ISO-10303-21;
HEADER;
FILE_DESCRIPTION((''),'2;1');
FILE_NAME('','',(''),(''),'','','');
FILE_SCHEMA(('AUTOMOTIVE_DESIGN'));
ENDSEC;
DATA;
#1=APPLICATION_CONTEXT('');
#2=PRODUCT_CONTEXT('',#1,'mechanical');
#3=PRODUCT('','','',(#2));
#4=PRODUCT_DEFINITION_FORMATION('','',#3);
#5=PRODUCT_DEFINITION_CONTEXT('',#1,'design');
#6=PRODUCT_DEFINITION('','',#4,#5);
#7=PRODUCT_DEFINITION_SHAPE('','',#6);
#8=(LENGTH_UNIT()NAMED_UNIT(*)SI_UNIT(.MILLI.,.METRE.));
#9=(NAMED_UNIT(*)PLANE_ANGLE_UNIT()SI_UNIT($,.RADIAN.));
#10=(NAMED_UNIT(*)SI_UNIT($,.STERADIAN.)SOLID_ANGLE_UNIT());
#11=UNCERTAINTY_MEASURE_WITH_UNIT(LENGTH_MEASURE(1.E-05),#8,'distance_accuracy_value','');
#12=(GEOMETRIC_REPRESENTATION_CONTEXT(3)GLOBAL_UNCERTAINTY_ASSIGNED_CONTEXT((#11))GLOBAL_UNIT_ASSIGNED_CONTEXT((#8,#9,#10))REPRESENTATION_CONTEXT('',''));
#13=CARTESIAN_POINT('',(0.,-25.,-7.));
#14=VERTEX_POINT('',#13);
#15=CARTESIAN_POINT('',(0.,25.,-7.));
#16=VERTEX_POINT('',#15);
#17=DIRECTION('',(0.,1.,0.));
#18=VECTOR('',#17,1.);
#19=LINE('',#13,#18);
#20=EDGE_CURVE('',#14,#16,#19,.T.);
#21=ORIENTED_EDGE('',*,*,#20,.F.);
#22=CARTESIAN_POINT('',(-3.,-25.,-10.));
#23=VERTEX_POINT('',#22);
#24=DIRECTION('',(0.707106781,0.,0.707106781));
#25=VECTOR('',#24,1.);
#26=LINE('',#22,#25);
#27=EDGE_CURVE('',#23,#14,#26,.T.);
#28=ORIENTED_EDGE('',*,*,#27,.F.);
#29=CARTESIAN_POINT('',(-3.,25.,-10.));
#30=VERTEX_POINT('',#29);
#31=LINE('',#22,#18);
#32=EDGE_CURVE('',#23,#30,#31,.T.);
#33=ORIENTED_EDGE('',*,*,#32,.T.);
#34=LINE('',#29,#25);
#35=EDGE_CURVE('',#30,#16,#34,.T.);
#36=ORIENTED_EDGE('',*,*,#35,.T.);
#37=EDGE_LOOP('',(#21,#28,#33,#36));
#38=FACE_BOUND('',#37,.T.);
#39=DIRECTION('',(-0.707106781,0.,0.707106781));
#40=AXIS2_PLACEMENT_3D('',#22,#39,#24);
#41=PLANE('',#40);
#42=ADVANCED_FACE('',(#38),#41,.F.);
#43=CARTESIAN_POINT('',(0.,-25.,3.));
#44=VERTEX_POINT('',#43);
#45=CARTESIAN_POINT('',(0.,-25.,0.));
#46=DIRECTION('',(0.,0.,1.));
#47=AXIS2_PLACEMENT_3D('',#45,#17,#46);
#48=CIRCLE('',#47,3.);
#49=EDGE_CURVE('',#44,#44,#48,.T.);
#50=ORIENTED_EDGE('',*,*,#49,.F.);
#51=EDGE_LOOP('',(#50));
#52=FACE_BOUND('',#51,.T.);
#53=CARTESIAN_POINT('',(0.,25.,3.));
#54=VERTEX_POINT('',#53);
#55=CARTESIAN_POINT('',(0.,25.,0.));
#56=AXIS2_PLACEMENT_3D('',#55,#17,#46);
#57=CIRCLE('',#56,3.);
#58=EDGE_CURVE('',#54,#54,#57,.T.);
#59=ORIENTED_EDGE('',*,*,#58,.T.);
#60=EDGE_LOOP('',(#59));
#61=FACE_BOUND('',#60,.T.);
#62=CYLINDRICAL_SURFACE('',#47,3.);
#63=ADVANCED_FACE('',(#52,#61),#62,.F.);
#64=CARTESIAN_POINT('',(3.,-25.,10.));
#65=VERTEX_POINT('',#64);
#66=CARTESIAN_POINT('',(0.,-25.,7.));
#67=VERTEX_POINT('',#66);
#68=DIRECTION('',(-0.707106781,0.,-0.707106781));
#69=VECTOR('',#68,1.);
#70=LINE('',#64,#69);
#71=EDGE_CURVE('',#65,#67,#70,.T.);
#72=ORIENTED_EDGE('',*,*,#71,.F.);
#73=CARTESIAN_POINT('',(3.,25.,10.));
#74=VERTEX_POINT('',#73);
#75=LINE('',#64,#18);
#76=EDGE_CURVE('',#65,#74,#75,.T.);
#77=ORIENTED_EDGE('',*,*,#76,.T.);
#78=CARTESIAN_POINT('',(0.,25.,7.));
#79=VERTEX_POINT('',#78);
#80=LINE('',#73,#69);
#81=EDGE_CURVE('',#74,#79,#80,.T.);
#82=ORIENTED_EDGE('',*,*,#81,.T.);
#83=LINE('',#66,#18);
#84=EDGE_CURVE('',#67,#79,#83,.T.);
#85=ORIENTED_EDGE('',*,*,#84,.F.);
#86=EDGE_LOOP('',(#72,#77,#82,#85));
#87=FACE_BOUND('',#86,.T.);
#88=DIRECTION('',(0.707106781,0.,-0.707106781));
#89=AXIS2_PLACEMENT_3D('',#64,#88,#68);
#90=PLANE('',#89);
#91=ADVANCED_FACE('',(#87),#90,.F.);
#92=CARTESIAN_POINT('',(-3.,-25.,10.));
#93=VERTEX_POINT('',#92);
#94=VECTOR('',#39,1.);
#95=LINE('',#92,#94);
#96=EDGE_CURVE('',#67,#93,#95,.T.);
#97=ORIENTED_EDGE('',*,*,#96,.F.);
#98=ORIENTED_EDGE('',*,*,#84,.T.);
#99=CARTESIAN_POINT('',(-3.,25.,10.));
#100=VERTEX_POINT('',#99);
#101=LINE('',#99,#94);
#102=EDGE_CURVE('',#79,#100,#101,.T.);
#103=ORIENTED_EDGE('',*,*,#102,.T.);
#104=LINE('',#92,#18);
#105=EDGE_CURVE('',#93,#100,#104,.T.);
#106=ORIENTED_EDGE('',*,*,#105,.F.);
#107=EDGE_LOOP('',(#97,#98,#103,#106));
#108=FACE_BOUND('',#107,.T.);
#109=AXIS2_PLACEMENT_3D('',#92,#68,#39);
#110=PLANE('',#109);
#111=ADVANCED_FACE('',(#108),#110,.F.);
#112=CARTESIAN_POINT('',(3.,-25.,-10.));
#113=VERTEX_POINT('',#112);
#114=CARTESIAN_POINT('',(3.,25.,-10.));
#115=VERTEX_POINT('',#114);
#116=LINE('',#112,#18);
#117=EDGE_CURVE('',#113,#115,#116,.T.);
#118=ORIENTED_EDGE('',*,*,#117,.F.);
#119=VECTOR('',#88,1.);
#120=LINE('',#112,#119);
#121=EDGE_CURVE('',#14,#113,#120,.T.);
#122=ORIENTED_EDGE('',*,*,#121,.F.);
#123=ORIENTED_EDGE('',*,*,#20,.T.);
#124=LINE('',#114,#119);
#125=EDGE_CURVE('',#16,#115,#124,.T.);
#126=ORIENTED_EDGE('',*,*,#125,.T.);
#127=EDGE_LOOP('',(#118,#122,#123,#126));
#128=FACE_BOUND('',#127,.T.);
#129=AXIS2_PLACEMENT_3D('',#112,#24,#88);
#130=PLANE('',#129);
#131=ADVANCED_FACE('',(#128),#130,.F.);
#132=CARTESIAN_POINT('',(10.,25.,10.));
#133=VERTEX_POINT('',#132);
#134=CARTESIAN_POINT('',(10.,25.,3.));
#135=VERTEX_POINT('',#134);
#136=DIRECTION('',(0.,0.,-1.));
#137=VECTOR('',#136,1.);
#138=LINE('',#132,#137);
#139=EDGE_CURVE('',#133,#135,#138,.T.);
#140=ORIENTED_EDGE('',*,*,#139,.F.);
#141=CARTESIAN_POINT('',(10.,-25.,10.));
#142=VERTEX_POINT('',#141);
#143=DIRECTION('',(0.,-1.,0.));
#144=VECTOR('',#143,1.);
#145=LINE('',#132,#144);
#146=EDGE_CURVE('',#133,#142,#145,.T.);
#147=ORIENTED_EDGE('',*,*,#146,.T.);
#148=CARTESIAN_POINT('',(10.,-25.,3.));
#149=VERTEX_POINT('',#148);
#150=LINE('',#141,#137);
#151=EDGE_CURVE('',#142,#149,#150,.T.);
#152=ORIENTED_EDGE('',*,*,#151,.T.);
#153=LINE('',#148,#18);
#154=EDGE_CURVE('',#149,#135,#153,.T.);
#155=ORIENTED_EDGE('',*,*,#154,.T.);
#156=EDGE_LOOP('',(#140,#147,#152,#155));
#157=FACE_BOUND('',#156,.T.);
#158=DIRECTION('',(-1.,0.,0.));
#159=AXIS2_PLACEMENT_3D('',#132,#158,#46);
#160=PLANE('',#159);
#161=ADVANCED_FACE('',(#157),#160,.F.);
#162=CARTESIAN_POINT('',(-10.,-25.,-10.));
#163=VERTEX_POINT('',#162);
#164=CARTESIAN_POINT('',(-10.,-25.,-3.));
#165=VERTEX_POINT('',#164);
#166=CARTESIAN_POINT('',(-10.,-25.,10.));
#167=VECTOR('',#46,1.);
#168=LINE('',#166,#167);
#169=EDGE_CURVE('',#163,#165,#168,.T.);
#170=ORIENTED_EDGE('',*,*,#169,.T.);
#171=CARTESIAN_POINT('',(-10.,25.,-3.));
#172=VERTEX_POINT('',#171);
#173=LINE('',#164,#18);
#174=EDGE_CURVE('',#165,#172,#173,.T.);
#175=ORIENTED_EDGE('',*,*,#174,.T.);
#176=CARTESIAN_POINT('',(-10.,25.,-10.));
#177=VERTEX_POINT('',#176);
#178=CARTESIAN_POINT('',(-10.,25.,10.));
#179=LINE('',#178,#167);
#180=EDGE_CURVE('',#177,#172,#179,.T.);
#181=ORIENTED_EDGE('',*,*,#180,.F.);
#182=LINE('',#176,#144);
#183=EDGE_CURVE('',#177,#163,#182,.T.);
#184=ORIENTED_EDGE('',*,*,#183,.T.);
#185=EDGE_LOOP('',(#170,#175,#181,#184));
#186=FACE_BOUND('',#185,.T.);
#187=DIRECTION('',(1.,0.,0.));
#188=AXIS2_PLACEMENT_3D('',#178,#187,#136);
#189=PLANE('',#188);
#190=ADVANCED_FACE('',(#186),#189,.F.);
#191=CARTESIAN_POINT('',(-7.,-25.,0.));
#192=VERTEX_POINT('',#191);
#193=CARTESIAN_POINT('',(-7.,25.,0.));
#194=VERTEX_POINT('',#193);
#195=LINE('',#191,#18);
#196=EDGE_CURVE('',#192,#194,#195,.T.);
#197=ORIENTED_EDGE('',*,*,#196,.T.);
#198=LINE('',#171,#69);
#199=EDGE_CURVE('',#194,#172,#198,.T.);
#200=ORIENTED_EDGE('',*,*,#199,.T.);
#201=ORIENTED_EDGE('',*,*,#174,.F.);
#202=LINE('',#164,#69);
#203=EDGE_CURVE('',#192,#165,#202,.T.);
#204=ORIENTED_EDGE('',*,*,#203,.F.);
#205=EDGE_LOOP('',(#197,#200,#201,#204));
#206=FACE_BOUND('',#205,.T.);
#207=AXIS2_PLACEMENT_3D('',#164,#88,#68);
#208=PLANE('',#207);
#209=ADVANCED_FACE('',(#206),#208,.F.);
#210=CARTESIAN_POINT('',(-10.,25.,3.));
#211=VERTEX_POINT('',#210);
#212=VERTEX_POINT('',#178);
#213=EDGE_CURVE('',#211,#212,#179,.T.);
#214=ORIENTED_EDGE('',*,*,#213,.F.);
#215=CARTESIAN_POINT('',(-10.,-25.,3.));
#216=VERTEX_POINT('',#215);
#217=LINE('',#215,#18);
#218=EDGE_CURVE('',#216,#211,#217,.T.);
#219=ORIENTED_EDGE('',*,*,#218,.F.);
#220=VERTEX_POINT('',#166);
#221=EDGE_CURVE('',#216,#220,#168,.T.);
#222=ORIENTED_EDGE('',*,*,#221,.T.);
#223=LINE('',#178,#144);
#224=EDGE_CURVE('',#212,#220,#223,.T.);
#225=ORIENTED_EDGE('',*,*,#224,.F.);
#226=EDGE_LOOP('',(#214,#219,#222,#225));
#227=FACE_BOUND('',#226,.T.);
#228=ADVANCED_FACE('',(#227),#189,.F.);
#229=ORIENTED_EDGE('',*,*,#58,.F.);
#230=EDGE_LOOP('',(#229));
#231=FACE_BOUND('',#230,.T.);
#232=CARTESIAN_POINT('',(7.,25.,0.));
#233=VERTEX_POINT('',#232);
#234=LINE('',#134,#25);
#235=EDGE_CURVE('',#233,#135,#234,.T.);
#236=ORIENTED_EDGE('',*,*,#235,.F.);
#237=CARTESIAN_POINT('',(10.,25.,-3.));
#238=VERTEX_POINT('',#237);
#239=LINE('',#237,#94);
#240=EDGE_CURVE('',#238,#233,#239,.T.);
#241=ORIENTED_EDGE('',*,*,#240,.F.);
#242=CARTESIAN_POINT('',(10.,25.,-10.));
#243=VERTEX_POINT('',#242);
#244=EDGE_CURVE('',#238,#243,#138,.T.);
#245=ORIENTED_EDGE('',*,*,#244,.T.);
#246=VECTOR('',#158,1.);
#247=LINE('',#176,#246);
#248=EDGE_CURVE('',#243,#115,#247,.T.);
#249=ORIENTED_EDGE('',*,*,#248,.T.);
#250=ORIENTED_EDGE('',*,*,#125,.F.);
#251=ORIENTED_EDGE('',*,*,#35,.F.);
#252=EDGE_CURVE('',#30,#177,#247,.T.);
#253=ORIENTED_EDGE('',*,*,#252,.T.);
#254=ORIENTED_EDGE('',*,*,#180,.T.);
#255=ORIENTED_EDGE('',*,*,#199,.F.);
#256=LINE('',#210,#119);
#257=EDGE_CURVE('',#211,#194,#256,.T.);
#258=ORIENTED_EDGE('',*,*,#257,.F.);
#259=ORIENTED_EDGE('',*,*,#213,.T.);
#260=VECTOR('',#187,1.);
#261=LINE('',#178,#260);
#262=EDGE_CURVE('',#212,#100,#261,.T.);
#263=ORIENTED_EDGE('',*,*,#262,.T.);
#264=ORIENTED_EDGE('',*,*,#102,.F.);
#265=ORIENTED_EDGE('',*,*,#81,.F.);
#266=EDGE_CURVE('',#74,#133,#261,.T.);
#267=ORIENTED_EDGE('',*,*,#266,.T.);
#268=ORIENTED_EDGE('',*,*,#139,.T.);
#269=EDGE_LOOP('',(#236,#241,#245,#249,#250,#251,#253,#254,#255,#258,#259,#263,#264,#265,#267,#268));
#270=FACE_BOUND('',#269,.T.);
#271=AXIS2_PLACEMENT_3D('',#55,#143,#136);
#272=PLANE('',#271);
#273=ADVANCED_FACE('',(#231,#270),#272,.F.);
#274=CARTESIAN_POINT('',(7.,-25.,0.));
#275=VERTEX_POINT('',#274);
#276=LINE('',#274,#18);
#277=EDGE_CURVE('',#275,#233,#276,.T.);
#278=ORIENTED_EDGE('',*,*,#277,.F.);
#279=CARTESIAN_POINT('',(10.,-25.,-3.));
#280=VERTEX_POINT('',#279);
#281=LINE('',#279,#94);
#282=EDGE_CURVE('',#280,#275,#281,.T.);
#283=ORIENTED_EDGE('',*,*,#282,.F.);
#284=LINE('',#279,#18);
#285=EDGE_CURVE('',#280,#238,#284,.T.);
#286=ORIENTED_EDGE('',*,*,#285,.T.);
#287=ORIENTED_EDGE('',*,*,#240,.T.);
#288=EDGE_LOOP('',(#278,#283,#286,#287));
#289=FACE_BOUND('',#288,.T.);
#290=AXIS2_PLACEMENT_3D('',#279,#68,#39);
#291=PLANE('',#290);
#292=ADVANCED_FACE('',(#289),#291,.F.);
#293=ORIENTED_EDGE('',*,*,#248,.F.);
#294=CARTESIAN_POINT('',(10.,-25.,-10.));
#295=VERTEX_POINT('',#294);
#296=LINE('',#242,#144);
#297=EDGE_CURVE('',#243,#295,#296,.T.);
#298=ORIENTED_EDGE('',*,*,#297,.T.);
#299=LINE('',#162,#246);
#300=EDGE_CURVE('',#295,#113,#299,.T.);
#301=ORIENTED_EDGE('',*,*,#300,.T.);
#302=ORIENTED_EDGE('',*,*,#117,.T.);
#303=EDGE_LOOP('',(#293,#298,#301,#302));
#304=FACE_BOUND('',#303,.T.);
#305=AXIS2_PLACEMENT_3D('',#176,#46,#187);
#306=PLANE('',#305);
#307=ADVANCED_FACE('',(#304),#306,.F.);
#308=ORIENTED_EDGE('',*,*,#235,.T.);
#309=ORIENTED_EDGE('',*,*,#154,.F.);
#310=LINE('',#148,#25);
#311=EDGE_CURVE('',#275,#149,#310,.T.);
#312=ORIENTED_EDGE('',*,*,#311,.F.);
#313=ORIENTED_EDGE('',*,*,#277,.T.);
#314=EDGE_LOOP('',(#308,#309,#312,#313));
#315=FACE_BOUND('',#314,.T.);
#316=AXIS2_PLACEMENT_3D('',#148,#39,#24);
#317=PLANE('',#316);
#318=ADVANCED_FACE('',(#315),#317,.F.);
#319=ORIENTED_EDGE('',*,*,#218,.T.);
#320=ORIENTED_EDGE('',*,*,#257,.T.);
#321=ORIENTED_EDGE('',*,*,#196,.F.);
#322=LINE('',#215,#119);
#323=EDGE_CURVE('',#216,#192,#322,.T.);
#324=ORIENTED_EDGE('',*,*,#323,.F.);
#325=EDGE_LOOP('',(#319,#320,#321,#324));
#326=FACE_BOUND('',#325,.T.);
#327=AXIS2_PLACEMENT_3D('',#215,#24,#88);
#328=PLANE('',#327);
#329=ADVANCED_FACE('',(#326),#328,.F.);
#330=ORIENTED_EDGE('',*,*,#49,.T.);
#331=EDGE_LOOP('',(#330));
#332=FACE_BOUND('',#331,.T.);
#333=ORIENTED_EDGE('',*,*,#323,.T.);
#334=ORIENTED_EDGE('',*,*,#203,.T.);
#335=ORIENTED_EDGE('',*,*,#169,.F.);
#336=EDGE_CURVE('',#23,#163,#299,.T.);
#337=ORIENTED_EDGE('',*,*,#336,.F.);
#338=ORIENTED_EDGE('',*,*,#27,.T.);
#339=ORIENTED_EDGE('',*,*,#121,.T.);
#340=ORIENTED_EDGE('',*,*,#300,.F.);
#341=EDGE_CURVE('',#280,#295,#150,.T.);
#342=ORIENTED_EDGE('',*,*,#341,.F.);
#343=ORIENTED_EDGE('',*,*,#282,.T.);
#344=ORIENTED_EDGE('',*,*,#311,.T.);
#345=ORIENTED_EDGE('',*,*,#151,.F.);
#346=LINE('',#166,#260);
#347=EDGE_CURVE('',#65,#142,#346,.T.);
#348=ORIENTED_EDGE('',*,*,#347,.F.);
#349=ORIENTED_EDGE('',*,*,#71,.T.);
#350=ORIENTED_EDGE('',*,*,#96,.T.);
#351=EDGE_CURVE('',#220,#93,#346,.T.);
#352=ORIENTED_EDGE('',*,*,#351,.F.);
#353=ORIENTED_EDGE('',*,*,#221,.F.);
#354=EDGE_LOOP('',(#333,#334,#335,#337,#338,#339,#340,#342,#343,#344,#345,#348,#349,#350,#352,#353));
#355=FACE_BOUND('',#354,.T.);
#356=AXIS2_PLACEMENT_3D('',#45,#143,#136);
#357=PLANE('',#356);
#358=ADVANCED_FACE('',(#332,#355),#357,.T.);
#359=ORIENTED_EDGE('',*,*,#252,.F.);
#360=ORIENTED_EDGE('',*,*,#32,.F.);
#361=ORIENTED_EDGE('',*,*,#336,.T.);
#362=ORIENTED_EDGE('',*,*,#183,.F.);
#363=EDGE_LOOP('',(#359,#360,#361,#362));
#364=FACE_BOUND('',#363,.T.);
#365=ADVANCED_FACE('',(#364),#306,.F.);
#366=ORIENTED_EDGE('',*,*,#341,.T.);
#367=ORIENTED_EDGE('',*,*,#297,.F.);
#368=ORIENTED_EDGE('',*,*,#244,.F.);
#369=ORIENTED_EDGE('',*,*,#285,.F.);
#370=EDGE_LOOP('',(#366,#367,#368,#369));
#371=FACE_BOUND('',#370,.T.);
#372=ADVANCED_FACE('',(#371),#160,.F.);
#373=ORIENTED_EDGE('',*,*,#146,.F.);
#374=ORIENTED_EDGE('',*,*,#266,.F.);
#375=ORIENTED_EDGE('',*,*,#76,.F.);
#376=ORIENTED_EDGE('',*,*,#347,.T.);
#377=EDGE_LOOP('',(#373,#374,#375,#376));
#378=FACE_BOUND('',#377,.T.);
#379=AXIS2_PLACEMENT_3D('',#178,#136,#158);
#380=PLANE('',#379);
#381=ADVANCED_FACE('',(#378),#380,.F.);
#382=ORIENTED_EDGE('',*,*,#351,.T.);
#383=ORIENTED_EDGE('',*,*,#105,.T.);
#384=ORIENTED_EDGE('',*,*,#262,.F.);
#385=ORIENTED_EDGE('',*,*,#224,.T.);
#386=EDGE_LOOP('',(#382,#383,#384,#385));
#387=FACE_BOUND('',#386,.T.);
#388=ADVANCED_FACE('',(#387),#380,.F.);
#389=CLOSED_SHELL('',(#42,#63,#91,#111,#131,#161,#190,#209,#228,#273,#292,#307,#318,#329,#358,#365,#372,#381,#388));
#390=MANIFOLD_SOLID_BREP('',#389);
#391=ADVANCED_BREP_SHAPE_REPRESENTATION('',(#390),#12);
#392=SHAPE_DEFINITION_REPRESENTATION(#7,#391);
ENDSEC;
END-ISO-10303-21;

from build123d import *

# Parameters (mm, degrees)
SKIZZE1_W                       = 20
SKIZZE1_H                       = 20
AUFSATZ_LINEAR_AUSTRAGEN1_DEPTH = 25
SCHNITT_LINEAR_AUSTRAGEN1_DEPTH = 51
SKIZZE3_R                       = 3
SCHNITT_LINEAR_AUSTRAGEN2_DEPTH = 51


with BuildPart() as part:
    # Skizze1 → Aufsatz-Linear austragen1 (new body, symmetric)
    with BuildSketch(Plane(origin=(0, 0, 0), x_dir=(1, 0, 0), z_dir=(0, 1, 0))):
        Rectangle(SKIZZE1_W, SKIZZE1_H)
    extrude(amount=AUFSATZ_LINEAR_AUSTRAGEN1_DEPTH, both=True)

    # Skizze2 → Schnitt-Linear austragen1 (cut, through all)
    with BuildSketch(Plane(origin=(0, 25, 0), x_dir=(1, 0, 0), z_dir=(0, 1, 0))):
        Polygon((-3, 10), (0, 7), (3, 10), align=None)
        Polygon((10, 3), (7, 0), (10, -3), align=None)
        Polygon((-10, -3), (-10, 3), (-7, 0), align=None)
        Polygon((-3, -10), (3, -10), (0, -7), align=None)
    extrude(amount=-SCHNITT_LINEAR_AUSTRAGEN1_DEPTH, mode=Mode.SUBTRACT)

    # Skizze3 → Schnitt-Linear austragen2 (cut, through all)
    with BuildSketch(Plane(origin=(0, 25, 0), x_dir=(1, 0, 0), z_dir=(0, 1, 0))):
        Circle(SKIZZE3_R)
    extrude(amount=-SCHNITT_LINEAR_AUSTRAGEN2_DEPTH, mode=Mode.SUBTRACT)


solid = part.part
